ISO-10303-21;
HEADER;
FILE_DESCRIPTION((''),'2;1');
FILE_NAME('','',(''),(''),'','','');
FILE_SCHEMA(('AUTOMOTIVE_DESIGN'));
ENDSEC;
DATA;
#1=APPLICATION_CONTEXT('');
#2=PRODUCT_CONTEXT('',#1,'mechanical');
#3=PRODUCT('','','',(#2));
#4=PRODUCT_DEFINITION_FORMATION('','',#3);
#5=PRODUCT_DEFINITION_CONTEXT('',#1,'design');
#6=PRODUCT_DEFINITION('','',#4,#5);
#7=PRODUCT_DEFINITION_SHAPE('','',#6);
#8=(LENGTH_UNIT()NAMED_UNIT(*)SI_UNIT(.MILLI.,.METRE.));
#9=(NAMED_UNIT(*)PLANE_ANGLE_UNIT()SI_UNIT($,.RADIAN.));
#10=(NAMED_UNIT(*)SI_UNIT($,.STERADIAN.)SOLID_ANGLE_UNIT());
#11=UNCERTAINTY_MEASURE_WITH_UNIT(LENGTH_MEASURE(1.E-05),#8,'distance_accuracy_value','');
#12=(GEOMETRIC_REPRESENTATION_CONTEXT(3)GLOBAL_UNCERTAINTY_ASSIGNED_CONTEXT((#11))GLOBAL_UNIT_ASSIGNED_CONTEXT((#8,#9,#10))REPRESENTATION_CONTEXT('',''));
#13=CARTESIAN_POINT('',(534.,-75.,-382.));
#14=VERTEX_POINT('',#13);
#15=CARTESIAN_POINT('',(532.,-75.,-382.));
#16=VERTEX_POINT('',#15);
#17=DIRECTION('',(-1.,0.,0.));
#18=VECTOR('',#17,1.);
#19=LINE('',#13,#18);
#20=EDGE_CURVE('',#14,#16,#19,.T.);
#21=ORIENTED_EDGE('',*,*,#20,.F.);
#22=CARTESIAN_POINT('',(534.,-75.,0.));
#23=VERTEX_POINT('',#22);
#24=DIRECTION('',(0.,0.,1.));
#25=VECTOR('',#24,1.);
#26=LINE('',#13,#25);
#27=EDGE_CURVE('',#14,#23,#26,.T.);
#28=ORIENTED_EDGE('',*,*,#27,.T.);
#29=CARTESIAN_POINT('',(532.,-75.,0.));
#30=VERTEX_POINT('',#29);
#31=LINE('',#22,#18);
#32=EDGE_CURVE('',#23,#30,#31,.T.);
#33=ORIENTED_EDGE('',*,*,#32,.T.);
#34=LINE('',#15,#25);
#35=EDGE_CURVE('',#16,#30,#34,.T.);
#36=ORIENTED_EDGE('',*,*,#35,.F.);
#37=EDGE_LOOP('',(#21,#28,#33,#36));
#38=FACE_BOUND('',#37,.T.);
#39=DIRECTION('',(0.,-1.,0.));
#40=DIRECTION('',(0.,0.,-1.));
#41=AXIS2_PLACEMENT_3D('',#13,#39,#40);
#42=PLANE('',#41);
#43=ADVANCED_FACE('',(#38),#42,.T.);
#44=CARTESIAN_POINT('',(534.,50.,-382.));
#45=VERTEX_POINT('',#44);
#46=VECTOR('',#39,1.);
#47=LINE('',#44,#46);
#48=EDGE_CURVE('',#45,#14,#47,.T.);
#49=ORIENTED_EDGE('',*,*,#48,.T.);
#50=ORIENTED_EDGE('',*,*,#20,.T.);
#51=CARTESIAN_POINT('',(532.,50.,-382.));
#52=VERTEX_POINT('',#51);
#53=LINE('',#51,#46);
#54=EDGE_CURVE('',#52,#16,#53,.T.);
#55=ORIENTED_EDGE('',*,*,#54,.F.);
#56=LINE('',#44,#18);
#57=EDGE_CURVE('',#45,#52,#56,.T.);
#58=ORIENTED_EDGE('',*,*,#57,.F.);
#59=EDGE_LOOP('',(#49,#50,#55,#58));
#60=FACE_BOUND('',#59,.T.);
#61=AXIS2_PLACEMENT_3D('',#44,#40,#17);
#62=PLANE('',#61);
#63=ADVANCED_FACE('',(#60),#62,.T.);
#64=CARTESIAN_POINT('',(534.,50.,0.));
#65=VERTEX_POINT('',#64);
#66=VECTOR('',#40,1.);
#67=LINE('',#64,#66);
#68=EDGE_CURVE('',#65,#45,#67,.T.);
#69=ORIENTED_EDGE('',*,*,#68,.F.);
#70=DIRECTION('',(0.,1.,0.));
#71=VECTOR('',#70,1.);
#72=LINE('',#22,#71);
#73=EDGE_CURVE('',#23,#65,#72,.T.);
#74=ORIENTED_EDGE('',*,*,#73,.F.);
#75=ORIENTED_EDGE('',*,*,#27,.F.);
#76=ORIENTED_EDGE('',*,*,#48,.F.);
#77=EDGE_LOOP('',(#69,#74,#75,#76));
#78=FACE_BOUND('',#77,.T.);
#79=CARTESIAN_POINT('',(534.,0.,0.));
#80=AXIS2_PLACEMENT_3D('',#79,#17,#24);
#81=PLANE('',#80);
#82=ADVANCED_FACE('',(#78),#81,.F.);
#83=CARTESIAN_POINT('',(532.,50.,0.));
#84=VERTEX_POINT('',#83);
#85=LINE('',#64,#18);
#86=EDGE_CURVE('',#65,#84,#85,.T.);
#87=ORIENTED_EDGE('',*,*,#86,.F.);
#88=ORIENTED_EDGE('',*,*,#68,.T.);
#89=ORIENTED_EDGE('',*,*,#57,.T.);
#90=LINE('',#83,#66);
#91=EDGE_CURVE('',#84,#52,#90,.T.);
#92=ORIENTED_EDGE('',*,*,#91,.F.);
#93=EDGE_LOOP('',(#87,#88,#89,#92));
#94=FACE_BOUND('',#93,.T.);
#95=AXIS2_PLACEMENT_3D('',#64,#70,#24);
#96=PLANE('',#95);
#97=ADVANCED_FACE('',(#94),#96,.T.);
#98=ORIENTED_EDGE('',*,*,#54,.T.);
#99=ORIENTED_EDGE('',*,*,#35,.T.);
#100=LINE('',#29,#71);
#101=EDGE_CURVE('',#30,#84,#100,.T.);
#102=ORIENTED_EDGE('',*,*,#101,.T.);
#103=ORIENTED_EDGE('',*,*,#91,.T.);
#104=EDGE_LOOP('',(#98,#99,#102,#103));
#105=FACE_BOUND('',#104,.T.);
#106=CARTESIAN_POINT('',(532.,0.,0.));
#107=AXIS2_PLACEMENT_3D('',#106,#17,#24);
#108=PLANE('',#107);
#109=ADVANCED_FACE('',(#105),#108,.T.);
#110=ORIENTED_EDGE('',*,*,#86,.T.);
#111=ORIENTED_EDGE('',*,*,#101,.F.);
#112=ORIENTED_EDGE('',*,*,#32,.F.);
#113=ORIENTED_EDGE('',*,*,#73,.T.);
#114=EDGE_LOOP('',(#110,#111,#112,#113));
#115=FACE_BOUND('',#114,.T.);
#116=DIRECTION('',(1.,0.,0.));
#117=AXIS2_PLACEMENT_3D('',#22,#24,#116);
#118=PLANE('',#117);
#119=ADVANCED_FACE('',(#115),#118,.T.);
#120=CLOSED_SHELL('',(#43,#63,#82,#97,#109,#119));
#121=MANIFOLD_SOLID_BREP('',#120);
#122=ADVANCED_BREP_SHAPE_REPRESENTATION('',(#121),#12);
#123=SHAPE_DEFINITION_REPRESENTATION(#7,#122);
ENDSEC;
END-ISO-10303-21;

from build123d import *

# Parameters (mm, degrees)
SKETCH1_W           = 125
SKETCH1_H           = 382
BOSS_EXTRUDE1_DEPTH = 2


with BuildPart() as part:
    # Sketch1 → Boss-Extrude1 (new body)
    with BuildSketch(Plane(origin=(532, 0, 0), x_dir=(0, -1, 0), z_dir=(-1, 0, 0))):
        with Locations((12.5, -191)):
            Rectangle(SKETCH1_W, SKETCH1_H)
    extrude(amount=-BOSS_EXTRUDE1_DEPTH)


solid = part.part
